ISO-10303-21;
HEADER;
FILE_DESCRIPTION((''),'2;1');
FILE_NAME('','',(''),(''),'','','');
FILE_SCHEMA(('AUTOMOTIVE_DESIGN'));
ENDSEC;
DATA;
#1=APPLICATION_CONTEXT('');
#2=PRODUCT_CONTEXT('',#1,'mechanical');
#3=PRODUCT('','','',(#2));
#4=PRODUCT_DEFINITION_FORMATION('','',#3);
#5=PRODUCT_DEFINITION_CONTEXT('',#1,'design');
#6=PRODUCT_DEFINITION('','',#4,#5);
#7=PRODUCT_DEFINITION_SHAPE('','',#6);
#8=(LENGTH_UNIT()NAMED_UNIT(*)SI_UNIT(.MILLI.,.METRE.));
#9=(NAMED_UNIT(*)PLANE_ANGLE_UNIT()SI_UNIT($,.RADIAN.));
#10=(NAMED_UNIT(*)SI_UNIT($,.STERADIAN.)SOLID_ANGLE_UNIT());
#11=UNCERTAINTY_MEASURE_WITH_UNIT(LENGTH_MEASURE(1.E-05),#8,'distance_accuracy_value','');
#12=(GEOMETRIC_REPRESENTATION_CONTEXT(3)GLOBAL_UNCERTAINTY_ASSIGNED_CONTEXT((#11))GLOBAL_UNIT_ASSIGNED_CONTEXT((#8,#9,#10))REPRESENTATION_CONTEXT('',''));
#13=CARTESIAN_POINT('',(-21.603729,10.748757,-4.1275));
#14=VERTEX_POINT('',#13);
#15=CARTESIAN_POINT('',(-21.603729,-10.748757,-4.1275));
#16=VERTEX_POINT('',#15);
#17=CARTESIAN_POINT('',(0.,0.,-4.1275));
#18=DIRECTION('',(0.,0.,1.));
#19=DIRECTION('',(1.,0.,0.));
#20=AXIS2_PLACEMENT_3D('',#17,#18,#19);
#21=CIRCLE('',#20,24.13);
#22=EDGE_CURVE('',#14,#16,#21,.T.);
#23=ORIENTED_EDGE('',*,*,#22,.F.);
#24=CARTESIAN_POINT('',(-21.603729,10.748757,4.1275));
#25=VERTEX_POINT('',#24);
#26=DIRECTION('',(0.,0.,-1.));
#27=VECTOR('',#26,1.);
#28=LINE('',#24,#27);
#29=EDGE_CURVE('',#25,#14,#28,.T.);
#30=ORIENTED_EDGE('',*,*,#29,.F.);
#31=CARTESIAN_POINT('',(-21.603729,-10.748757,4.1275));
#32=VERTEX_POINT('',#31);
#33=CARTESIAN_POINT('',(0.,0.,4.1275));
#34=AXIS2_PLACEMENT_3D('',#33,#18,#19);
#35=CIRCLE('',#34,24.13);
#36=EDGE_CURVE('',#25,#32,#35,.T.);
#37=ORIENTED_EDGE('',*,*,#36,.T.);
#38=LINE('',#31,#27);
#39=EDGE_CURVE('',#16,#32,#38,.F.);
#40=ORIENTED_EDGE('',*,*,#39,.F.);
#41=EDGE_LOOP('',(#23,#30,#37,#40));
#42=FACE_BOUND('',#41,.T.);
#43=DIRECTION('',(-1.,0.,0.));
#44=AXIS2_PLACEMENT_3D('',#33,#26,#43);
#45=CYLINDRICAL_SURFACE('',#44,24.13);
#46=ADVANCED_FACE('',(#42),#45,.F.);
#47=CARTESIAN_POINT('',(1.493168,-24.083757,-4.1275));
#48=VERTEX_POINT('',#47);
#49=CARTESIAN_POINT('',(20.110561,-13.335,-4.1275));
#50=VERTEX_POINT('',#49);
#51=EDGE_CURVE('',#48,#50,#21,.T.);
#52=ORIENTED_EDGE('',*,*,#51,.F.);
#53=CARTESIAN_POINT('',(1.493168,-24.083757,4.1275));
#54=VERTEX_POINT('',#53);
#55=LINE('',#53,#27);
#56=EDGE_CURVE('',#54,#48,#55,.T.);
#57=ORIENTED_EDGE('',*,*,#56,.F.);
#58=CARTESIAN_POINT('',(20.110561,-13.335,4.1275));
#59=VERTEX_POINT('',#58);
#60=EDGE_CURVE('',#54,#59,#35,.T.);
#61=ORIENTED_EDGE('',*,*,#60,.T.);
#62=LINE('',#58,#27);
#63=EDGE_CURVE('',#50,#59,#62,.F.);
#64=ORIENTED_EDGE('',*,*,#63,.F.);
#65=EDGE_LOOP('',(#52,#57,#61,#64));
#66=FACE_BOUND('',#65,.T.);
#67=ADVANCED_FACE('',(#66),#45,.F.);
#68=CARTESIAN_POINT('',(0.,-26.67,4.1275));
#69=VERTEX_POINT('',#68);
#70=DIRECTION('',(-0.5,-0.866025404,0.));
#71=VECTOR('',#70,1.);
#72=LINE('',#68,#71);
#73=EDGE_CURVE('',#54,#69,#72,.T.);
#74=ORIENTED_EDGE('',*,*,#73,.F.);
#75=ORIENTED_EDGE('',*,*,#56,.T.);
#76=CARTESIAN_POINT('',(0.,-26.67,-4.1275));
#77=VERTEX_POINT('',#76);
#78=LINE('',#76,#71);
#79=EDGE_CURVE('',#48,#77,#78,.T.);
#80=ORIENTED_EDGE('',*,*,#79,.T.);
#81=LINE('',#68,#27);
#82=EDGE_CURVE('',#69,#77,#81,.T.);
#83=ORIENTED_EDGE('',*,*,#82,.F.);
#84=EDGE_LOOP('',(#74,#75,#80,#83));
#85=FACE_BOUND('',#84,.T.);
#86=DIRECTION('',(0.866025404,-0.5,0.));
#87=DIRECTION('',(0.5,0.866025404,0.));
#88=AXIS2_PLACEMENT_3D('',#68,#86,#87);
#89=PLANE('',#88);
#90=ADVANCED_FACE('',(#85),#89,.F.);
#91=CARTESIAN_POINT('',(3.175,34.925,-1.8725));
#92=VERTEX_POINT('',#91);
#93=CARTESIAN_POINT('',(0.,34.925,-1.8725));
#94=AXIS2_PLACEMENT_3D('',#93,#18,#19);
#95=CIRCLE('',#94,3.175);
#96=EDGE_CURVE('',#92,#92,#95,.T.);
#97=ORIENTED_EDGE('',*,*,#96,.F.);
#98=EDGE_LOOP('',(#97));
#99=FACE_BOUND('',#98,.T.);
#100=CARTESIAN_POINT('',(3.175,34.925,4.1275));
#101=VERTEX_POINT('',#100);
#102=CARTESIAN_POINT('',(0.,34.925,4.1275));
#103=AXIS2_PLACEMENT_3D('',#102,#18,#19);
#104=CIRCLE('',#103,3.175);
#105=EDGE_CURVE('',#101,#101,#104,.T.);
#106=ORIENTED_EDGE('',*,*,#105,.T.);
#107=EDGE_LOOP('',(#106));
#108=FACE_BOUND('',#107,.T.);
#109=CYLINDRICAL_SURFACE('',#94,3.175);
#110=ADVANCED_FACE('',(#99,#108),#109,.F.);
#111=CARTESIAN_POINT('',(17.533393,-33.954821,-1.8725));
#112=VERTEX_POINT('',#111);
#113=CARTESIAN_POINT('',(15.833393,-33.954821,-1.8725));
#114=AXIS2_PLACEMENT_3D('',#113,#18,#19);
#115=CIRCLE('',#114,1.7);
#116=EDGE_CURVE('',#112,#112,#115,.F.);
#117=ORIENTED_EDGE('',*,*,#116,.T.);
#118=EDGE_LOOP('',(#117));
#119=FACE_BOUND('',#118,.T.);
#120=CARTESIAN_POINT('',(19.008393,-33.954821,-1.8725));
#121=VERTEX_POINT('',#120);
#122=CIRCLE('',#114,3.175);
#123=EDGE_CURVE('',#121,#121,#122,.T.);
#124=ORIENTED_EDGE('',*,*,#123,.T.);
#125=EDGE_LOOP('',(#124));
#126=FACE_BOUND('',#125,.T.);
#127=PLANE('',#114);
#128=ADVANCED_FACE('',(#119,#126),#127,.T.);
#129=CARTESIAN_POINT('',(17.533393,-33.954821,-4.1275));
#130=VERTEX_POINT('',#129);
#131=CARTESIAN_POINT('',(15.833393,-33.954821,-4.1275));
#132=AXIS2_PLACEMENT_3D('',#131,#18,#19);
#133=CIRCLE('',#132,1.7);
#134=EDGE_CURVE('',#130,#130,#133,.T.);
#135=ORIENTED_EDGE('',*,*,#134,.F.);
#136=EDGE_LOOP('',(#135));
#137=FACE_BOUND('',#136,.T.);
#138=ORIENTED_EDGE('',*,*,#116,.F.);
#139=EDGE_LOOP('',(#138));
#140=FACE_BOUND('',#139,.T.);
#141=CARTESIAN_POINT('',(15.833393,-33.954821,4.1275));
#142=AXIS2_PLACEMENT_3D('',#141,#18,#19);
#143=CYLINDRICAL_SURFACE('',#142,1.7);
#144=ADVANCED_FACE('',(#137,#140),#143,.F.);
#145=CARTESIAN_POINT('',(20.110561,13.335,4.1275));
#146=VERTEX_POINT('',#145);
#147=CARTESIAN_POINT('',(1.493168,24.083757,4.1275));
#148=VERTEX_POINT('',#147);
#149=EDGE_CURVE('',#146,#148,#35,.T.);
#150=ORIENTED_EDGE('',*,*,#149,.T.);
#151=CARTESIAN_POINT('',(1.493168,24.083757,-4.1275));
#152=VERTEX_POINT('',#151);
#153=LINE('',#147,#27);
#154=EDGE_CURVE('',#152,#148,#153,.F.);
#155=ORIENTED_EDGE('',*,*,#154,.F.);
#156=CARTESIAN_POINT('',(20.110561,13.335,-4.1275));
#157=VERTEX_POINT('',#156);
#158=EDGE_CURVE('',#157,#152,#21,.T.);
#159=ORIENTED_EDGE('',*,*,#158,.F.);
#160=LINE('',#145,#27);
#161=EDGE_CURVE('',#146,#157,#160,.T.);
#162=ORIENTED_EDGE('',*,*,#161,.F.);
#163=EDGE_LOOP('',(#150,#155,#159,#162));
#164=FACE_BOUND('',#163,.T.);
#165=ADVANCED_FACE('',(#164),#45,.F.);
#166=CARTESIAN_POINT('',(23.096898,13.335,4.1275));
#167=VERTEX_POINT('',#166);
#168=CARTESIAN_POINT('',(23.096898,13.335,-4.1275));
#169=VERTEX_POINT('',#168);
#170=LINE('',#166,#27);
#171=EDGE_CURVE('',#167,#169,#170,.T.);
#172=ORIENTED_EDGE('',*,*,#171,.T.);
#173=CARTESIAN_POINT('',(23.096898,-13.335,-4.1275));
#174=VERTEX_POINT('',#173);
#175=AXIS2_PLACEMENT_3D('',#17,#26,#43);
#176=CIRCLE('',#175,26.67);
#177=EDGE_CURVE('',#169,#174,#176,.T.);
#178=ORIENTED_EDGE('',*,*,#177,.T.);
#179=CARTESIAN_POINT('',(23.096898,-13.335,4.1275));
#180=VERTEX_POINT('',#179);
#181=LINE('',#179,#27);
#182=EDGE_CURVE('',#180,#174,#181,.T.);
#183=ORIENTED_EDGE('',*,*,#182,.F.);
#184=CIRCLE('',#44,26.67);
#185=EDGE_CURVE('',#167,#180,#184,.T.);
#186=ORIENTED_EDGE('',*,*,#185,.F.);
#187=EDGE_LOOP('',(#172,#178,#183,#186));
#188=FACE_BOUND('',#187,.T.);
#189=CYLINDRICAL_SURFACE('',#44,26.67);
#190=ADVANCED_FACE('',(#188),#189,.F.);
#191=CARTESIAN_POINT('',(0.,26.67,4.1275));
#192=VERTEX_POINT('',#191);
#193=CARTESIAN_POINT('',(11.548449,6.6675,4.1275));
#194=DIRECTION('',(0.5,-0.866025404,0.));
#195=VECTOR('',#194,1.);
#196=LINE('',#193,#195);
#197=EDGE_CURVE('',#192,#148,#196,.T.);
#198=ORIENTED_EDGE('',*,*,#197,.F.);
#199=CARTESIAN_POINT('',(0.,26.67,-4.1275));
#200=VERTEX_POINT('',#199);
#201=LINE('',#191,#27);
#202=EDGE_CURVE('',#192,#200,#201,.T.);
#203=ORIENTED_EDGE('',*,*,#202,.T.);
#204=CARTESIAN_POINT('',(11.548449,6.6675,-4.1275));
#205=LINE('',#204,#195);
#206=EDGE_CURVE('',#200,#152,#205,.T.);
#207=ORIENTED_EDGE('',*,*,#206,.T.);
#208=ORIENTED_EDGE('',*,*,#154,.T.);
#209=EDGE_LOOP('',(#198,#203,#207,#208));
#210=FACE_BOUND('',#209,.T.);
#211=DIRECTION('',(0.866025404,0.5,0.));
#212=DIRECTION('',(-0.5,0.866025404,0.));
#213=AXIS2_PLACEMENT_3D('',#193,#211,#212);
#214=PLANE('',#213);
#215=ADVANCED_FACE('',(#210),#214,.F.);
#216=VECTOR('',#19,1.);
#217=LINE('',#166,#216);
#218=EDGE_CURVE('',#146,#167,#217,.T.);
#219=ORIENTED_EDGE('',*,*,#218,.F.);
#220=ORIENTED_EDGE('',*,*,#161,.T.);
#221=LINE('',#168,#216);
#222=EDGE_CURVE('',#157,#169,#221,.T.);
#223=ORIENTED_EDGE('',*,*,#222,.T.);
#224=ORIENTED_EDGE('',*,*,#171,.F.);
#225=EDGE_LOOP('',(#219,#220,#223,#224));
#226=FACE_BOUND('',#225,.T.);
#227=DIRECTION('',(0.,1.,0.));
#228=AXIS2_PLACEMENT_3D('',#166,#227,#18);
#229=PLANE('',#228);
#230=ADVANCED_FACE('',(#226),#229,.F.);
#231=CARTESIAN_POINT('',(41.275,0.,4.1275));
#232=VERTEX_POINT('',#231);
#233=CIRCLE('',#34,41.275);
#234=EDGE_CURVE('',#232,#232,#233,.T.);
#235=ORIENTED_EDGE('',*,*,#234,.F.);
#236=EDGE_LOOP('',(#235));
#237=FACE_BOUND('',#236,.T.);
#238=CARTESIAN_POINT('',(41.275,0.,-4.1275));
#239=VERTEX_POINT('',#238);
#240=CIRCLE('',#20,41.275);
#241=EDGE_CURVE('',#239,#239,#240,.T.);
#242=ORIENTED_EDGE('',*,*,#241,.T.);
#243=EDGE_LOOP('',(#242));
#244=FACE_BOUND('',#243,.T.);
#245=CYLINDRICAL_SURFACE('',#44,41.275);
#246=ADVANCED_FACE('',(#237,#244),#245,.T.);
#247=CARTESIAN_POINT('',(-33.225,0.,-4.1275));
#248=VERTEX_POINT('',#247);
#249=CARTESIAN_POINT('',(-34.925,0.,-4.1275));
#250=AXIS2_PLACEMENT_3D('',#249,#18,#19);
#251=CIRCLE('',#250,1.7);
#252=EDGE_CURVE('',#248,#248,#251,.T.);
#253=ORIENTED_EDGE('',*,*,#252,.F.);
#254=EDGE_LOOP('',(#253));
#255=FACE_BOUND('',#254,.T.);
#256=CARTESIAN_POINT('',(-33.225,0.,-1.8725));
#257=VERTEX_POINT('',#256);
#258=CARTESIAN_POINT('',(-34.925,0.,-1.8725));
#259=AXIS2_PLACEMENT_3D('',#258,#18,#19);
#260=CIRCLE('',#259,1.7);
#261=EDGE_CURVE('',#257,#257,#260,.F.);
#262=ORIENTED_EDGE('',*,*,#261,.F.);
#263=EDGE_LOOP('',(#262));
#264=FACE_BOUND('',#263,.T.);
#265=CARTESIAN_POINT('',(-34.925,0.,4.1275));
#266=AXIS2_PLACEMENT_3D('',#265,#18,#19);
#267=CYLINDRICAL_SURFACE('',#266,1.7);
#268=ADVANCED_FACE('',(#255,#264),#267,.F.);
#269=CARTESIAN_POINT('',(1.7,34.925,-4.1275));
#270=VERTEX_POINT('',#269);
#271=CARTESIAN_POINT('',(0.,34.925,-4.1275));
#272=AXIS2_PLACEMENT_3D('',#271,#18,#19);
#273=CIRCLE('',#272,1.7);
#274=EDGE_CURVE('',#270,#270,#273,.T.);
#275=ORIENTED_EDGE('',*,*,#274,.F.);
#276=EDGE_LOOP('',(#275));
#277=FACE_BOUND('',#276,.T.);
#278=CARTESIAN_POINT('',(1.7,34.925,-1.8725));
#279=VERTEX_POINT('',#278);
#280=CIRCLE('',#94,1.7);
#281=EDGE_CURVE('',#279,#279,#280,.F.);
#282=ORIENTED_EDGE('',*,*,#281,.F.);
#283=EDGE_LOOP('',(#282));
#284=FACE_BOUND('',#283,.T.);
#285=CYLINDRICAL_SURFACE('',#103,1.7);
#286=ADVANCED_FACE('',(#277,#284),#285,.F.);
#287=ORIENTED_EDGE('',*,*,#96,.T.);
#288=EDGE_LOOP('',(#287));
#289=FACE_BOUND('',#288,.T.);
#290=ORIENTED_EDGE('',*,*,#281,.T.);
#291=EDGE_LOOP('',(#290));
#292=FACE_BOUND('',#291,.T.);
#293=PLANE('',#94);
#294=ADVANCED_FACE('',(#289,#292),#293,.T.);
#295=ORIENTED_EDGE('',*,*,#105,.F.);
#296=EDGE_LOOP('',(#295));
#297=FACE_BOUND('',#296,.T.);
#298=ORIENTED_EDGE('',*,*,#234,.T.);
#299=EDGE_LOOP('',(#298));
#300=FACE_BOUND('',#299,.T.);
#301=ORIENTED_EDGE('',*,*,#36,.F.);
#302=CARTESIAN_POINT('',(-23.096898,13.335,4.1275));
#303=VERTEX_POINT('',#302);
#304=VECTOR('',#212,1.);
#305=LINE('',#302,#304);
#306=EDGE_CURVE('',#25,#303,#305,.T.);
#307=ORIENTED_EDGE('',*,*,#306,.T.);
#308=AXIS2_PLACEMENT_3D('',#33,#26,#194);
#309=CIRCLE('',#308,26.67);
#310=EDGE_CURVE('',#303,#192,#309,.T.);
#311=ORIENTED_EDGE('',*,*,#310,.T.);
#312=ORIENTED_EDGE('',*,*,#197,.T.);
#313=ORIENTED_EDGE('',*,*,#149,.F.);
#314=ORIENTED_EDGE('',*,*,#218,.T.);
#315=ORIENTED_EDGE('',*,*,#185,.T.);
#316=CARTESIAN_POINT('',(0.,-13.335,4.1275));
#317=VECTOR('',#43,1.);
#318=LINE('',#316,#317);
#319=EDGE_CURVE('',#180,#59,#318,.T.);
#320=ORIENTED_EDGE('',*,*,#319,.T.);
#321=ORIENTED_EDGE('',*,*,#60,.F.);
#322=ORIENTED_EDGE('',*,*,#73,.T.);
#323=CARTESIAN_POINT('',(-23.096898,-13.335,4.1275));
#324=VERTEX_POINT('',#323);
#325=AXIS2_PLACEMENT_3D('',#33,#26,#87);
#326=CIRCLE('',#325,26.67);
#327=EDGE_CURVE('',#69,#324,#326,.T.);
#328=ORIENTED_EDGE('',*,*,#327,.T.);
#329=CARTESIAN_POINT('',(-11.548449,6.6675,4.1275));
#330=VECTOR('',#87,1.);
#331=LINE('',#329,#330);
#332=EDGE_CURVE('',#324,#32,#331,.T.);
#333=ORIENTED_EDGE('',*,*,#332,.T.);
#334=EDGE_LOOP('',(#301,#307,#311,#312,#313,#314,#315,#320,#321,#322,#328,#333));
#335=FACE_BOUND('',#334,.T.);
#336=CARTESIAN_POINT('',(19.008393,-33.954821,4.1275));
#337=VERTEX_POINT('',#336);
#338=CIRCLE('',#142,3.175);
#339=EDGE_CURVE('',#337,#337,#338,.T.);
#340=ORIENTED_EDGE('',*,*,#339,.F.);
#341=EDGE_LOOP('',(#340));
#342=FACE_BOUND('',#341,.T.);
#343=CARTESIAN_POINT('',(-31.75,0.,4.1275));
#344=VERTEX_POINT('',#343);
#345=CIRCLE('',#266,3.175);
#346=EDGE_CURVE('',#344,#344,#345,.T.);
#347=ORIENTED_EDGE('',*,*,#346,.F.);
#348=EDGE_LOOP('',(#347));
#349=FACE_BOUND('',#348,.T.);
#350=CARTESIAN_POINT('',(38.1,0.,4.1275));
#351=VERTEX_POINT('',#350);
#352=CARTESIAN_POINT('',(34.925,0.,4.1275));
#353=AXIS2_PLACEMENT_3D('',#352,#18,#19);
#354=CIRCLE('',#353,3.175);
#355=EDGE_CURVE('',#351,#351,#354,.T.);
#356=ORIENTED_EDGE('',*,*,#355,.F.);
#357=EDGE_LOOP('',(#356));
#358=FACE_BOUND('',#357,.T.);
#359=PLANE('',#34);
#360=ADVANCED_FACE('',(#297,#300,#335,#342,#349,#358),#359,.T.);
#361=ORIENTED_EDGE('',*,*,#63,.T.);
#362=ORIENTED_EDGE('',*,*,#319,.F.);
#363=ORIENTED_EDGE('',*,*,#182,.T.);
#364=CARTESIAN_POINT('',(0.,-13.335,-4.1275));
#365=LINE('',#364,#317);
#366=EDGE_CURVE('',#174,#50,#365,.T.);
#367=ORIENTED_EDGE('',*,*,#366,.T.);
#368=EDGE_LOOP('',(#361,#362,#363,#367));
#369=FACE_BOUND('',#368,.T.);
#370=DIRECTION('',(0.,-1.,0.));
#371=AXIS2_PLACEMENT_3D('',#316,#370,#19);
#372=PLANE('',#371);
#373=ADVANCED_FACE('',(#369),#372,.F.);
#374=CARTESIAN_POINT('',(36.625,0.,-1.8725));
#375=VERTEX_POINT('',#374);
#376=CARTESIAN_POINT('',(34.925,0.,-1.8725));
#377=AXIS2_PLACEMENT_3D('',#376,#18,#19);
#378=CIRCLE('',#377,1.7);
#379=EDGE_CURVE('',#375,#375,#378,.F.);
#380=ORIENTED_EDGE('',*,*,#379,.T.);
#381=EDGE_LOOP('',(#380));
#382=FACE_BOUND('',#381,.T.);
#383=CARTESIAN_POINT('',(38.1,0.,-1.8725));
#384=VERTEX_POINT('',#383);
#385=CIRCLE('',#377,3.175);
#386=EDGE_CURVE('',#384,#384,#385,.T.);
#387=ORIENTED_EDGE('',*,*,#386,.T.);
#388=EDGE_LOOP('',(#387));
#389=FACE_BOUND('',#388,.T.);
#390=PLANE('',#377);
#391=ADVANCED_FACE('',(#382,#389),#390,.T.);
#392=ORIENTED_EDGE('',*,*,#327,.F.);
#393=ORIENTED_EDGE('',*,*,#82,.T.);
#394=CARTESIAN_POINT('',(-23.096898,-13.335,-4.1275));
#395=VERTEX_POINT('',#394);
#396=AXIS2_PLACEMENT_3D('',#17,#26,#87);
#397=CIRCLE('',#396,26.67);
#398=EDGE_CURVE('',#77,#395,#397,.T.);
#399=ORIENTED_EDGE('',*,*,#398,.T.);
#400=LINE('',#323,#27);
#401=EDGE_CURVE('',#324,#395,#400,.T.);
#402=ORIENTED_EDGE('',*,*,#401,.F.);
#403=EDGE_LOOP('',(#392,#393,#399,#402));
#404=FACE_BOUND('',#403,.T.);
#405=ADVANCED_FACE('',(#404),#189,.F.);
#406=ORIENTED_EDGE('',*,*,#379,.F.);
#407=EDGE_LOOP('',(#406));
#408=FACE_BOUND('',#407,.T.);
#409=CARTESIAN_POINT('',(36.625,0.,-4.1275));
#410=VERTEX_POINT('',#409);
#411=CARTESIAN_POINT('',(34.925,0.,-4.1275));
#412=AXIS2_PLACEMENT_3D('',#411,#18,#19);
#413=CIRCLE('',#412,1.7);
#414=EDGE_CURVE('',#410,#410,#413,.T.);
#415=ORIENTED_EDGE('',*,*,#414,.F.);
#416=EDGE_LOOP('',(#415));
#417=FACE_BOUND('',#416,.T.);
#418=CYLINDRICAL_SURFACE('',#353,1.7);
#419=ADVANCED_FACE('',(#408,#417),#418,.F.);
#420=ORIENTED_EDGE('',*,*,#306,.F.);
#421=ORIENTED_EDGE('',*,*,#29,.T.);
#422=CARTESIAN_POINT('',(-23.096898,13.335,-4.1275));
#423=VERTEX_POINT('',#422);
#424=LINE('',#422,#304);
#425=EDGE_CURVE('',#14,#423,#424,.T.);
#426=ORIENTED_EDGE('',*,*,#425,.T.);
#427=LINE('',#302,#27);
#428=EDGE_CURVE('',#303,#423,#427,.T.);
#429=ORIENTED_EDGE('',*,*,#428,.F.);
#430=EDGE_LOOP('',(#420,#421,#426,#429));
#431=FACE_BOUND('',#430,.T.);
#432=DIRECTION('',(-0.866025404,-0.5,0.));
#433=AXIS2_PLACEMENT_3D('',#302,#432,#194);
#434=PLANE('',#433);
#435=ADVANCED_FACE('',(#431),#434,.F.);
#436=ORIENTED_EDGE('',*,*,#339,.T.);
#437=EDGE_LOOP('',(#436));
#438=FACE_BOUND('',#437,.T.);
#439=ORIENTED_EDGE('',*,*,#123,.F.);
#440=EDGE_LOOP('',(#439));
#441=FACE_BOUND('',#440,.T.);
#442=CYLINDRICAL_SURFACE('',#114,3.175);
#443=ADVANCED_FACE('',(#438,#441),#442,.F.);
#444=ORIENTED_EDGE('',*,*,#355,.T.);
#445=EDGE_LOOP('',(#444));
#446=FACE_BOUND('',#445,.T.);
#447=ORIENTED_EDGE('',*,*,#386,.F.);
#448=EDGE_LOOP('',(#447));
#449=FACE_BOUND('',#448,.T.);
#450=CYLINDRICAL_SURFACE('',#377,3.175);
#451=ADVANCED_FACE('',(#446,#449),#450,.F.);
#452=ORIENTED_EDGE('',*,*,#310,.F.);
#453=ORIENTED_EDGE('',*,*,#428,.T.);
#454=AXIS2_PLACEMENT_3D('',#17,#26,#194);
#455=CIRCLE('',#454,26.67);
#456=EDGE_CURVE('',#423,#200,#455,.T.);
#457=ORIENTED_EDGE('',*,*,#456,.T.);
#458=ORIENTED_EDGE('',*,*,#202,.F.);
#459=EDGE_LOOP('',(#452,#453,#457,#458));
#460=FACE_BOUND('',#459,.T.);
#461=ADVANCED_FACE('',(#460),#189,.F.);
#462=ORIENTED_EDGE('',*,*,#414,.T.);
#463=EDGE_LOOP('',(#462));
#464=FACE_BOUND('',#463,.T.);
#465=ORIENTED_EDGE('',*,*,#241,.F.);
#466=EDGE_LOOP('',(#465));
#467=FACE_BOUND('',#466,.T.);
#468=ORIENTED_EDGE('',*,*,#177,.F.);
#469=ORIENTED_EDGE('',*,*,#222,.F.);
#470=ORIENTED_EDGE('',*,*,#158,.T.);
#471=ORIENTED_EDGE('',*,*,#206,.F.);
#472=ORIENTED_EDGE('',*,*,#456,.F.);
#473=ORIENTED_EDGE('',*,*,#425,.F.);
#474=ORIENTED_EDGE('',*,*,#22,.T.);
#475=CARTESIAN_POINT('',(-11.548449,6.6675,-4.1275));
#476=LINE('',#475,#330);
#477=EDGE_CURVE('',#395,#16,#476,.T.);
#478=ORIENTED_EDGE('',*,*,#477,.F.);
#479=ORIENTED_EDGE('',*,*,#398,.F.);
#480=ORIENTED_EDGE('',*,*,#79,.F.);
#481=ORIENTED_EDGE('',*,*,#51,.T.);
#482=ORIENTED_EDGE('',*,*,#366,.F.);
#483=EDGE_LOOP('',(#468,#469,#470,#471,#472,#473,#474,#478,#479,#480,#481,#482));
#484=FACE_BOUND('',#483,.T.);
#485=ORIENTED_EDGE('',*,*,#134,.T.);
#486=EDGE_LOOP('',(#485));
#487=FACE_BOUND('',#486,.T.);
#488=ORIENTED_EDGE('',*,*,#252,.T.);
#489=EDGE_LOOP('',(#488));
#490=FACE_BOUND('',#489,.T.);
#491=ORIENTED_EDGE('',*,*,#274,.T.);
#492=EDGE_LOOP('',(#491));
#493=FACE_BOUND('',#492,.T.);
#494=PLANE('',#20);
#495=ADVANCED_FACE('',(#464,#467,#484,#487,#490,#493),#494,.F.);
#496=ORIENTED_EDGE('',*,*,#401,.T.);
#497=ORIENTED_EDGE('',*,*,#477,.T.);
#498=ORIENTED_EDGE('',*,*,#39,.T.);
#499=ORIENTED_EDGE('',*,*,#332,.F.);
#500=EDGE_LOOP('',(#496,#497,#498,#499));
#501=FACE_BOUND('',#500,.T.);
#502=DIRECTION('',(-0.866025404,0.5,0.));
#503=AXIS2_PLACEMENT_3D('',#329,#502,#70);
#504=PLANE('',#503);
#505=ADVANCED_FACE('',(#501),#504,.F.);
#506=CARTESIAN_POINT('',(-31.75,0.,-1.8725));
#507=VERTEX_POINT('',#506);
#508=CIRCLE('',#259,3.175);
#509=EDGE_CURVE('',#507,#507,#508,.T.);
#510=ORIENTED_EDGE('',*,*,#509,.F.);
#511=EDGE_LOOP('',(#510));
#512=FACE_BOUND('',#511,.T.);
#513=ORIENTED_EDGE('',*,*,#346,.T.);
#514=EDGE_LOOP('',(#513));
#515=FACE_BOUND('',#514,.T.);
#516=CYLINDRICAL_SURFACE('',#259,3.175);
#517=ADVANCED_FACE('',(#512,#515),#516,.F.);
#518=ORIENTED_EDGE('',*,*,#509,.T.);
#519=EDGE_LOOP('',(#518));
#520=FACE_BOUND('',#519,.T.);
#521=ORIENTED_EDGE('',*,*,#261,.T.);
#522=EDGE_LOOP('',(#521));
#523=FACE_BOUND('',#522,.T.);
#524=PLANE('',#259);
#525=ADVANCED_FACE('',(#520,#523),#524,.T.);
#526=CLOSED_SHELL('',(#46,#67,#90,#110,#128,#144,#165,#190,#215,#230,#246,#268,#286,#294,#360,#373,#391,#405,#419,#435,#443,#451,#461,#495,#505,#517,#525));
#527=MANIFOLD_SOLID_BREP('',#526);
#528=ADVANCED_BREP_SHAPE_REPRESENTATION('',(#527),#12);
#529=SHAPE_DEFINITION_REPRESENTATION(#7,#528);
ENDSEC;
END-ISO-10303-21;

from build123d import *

# Parameters (mm, degrees)
SKETCH1_R                  = 41.275
SKETCH1_R_2                = 24.13
BOSS_EXTRUDE1_DEPTH        = 4.1275
F_3_4_3_4_DIAMETER_HOLE1_D = 3.4
CUT_EXTRUDE2_DEPTH         = 59.952491678
CIRPATTERN1_COUNT          = 3
F_3_4_3_4_DIAMETER_HOLE2_D = 3.4
SKETCH8_R                  = 3.175
CUT_EXTRUDE3_DEPTH         = 5.999999906


with BuildPart() as part:
    # Sketch1 → Boss-Extrude1 (new, symmetric)
    with BuildSketch(Plane.XY):
        Circle(SKETCH1_R)
        Circle(SKETCH1_R_2, mode=Mode.SUBTRACT)
    extrude(amount=BOSS_EXTRUDE1_DEPTH, both=True)

    # Ø3.4 (3.4) Diameter Hole1 (through all)
    with Locations(Plane.XY.offset(4.1275)):
        with Locations((-34.925, 0), (0, 34.925), (34.925, 0)):
            Hole(F_3_4_3_4_DIAMETER_HOLE1_D / 2)

    # Sketch5 → Cut-Extrude2 (cut, through all)
    with BuildSketch(Plane(origin=(0, 0, -4.1275), x_dir=(-1, 0, 0), z_dir=(0, 0, -1))):
        with BuildLine():
            Line((-23.096897519, 13.335), (0, 13.335))
            Line((0, 13.335), (0, -13.335))
            Line((0, -13.335), (-23.096897519, -13.335))
            ThreePointArc((-23.096897519, -13.335), (-26.67, 0), (-23.096897519, 13.335))
        make_face()
    cut_extrude2 = extrude(amount=-CUT_EXTRUDE2_DEPTH, mode=Mode.SUBTRACT)

    # CirPattern1: Cut-Extrude2 ×3 about axis
    cirpattern1_axis = Axis((0, 0, 0), (0, 0, 1))
    for i in range(1, CIRPATTERN1_COUNT):
        add(cut_extrude2.rotate(cirpattern1_axis, i * 360 / CIRPATTERN1_COUNT), mode=Mode.SUBTRACT)

    # Ø3.4 (3.4) Diameter Hole2 (through all)
    with Locations(Plane.XY.offset(4.1275)):
        with Locations((15.833393176, -33.954821241)):
            Hole(F_3_4_3_4_DIAMETER_HOLE2_D / 2)

    # Sketch8 → Cut-Extrude3 (cut)
    with BuildSketch(Plane.XY.offset(4.1275)):
        with Locations((0, 34.925)):
            Circle(SKETCH8_R)
        with Locations((34.925, 0)):
            Circle(SKETCH8_R)
        with Locations((15.833393176, -33.954821241)):
            Circle(SKETCH8_R)
        with Locations((-34.925, 0)):
            Circle(SKETCH8_R)
    extrude(amount=-CUT_EXTRUDE3_DEPTH, mode=Mode.SUBTRACT)


solid = part.part
